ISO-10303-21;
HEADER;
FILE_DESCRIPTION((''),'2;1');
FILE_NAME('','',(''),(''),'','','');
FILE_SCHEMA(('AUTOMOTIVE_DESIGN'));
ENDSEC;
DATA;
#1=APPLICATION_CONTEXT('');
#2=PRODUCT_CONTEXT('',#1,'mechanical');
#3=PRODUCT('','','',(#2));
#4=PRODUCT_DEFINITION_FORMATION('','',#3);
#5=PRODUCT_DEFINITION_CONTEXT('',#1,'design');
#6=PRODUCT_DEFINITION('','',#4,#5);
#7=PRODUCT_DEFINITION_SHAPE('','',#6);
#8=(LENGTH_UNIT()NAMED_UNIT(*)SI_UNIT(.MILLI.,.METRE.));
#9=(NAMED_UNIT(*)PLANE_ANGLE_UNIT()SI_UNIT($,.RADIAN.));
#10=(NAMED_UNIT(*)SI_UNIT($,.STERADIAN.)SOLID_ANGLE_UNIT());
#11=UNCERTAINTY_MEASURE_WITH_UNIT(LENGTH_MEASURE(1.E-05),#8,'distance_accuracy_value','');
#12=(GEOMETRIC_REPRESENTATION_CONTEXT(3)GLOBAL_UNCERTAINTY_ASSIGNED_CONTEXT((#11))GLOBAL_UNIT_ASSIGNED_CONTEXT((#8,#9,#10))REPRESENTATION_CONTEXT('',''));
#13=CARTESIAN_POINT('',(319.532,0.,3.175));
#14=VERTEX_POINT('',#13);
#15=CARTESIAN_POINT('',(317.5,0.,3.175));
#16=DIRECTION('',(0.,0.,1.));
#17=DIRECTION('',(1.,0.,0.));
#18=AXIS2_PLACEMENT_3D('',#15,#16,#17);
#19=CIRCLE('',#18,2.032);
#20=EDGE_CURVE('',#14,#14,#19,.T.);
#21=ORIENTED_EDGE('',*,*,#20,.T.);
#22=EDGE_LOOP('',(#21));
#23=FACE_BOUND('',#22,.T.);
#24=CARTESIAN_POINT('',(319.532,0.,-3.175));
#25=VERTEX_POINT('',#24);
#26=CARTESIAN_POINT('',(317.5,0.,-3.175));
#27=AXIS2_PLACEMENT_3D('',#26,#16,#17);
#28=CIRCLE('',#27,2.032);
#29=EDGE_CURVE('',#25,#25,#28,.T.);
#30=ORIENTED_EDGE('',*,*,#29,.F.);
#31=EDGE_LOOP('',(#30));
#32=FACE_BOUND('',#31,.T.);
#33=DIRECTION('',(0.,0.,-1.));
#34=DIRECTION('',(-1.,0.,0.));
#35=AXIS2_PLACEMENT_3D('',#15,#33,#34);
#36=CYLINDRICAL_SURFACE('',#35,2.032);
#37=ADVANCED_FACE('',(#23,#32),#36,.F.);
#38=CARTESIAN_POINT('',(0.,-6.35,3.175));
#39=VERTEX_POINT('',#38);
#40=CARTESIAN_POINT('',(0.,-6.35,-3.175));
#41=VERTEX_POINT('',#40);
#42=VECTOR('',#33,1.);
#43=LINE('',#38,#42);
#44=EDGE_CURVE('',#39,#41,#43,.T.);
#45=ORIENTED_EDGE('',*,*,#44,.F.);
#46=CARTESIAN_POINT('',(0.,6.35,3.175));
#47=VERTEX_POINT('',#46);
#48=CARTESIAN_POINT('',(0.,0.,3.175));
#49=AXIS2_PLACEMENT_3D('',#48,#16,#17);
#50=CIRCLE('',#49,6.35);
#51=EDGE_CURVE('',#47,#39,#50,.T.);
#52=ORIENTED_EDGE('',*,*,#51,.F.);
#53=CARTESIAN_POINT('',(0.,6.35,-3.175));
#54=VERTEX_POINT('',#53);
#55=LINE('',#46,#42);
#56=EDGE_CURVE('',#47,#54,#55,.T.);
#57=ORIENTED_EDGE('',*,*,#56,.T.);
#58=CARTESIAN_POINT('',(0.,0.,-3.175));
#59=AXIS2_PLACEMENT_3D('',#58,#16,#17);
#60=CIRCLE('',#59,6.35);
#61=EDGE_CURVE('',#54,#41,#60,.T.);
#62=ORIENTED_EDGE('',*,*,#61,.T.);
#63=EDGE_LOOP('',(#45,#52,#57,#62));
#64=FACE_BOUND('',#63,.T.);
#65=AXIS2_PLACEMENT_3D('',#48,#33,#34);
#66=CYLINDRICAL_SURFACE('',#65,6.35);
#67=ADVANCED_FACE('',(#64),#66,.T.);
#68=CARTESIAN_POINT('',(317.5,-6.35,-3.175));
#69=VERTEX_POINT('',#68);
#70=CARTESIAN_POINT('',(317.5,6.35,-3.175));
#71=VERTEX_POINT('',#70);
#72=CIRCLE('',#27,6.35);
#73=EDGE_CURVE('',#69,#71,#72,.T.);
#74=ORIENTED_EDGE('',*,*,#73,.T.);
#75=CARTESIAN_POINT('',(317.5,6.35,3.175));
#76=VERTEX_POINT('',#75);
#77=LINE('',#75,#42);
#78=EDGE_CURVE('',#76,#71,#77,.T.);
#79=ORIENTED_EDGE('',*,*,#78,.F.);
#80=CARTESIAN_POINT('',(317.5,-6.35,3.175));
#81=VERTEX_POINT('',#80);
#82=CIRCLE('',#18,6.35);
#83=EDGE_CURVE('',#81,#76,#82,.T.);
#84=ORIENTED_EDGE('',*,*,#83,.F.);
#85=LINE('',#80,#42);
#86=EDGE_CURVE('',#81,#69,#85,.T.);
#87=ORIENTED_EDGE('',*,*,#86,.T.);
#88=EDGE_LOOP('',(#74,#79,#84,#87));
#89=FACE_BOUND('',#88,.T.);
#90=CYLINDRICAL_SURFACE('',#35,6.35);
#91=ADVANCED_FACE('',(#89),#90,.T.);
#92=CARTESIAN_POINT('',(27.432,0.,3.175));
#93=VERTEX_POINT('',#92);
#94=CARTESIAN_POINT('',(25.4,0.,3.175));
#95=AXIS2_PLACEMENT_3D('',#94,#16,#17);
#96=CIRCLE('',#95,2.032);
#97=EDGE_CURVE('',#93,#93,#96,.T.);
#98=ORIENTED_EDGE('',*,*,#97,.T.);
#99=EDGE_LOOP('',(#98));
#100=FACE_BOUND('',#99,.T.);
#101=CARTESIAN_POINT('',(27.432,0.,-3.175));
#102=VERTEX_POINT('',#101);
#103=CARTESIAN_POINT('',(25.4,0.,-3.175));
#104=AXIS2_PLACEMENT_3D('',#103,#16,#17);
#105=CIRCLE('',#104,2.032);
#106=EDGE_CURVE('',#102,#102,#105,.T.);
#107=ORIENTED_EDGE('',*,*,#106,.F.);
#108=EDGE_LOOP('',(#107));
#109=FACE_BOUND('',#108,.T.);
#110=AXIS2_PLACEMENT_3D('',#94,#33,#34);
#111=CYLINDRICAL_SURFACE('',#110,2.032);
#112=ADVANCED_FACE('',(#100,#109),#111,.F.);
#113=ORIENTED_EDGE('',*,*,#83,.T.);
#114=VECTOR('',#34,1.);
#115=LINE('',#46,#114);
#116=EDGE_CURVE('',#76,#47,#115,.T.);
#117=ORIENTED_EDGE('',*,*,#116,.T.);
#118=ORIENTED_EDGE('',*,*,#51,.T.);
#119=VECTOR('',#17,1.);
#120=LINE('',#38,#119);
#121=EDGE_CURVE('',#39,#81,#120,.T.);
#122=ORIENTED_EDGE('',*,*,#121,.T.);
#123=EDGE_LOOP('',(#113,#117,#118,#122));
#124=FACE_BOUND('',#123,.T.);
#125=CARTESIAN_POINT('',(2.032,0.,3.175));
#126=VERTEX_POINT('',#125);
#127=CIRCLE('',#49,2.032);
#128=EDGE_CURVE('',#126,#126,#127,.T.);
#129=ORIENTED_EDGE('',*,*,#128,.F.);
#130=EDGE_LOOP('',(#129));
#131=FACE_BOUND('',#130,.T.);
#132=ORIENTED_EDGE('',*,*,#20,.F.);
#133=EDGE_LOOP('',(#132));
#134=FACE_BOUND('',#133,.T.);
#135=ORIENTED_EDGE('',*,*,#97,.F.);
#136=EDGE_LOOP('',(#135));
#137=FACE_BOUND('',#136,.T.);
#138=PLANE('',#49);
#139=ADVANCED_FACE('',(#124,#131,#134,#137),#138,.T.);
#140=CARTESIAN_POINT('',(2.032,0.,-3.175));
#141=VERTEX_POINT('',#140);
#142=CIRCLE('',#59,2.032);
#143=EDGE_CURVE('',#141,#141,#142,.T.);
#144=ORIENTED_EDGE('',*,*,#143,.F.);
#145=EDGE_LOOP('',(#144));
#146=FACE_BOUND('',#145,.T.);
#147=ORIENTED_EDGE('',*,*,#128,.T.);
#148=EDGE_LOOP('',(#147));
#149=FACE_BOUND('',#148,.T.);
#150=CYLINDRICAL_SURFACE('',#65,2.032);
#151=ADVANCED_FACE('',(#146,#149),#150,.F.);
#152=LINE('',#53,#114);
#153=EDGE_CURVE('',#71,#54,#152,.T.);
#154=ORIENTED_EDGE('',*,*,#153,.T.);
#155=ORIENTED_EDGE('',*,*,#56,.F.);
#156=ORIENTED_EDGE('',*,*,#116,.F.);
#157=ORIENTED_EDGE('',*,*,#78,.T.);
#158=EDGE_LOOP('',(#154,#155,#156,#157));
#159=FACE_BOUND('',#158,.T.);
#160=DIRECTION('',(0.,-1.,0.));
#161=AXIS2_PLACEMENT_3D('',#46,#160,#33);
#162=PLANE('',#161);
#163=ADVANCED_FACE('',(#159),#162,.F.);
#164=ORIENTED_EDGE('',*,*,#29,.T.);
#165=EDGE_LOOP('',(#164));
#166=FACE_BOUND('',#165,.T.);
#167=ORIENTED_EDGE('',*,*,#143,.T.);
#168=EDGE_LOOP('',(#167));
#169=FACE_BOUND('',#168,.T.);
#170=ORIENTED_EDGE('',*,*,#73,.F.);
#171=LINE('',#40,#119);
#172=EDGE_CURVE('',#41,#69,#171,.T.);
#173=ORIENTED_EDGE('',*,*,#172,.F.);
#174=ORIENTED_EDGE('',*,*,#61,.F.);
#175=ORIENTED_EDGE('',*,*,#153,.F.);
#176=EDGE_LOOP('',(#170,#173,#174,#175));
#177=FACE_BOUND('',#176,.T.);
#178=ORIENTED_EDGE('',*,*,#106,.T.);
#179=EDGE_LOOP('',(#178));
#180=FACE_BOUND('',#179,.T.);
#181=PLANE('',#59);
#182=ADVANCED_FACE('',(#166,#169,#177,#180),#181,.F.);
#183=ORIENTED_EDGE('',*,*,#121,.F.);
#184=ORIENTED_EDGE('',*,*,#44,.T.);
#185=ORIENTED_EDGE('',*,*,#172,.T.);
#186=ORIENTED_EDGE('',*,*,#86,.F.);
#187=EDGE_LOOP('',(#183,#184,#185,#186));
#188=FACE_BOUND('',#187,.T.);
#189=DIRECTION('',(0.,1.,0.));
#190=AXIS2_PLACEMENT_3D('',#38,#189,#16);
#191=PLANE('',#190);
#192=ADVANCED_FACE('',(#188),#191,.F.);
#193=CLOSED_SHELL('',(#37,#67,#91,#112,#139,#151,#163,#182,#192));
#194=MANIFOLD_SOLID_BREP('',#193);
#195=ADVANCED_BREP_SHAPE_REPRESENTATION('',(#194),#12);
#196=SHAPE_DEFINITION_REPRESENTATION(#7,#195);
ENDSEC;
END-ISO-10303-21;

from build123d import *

# Parameters (mm, degrees)
SKETCH1_R           = 2.032
BOSS_EXTRUDE1_DEPTH = 3.175


with BuildPart() as part:
    # Sketch1 → Boss-Extrude1 (new, symmetric)
    with BuildSketch(Plane.XY):
        with BuildLine():
            Line((0, 6.35), (317.5, 6.35))
            ThreePointArc((317.5, 6.35), (323.85, 0), (317.5, -6.35))
            Line((317.5, -6.35), (0, -6.35))
            ThreePointArc((0, -6.35), (-6.35, 0), (0, 6.35))
        make_face()
        Circle(SKETCH1_R, mode=Mode.SUBTRACT)
        with Locations((317.5, 0)):
            Circle(SKETCH1_R, mode=Mode.SUBTRACT)
        with Locations((25.4, 0)):
            Circle(SKETCH1_R, mode=Mode.SUBTRACT)
    extrude(amount=BOSS_EXTRUDE1_DEPTH, both=True)


solid = part.part
